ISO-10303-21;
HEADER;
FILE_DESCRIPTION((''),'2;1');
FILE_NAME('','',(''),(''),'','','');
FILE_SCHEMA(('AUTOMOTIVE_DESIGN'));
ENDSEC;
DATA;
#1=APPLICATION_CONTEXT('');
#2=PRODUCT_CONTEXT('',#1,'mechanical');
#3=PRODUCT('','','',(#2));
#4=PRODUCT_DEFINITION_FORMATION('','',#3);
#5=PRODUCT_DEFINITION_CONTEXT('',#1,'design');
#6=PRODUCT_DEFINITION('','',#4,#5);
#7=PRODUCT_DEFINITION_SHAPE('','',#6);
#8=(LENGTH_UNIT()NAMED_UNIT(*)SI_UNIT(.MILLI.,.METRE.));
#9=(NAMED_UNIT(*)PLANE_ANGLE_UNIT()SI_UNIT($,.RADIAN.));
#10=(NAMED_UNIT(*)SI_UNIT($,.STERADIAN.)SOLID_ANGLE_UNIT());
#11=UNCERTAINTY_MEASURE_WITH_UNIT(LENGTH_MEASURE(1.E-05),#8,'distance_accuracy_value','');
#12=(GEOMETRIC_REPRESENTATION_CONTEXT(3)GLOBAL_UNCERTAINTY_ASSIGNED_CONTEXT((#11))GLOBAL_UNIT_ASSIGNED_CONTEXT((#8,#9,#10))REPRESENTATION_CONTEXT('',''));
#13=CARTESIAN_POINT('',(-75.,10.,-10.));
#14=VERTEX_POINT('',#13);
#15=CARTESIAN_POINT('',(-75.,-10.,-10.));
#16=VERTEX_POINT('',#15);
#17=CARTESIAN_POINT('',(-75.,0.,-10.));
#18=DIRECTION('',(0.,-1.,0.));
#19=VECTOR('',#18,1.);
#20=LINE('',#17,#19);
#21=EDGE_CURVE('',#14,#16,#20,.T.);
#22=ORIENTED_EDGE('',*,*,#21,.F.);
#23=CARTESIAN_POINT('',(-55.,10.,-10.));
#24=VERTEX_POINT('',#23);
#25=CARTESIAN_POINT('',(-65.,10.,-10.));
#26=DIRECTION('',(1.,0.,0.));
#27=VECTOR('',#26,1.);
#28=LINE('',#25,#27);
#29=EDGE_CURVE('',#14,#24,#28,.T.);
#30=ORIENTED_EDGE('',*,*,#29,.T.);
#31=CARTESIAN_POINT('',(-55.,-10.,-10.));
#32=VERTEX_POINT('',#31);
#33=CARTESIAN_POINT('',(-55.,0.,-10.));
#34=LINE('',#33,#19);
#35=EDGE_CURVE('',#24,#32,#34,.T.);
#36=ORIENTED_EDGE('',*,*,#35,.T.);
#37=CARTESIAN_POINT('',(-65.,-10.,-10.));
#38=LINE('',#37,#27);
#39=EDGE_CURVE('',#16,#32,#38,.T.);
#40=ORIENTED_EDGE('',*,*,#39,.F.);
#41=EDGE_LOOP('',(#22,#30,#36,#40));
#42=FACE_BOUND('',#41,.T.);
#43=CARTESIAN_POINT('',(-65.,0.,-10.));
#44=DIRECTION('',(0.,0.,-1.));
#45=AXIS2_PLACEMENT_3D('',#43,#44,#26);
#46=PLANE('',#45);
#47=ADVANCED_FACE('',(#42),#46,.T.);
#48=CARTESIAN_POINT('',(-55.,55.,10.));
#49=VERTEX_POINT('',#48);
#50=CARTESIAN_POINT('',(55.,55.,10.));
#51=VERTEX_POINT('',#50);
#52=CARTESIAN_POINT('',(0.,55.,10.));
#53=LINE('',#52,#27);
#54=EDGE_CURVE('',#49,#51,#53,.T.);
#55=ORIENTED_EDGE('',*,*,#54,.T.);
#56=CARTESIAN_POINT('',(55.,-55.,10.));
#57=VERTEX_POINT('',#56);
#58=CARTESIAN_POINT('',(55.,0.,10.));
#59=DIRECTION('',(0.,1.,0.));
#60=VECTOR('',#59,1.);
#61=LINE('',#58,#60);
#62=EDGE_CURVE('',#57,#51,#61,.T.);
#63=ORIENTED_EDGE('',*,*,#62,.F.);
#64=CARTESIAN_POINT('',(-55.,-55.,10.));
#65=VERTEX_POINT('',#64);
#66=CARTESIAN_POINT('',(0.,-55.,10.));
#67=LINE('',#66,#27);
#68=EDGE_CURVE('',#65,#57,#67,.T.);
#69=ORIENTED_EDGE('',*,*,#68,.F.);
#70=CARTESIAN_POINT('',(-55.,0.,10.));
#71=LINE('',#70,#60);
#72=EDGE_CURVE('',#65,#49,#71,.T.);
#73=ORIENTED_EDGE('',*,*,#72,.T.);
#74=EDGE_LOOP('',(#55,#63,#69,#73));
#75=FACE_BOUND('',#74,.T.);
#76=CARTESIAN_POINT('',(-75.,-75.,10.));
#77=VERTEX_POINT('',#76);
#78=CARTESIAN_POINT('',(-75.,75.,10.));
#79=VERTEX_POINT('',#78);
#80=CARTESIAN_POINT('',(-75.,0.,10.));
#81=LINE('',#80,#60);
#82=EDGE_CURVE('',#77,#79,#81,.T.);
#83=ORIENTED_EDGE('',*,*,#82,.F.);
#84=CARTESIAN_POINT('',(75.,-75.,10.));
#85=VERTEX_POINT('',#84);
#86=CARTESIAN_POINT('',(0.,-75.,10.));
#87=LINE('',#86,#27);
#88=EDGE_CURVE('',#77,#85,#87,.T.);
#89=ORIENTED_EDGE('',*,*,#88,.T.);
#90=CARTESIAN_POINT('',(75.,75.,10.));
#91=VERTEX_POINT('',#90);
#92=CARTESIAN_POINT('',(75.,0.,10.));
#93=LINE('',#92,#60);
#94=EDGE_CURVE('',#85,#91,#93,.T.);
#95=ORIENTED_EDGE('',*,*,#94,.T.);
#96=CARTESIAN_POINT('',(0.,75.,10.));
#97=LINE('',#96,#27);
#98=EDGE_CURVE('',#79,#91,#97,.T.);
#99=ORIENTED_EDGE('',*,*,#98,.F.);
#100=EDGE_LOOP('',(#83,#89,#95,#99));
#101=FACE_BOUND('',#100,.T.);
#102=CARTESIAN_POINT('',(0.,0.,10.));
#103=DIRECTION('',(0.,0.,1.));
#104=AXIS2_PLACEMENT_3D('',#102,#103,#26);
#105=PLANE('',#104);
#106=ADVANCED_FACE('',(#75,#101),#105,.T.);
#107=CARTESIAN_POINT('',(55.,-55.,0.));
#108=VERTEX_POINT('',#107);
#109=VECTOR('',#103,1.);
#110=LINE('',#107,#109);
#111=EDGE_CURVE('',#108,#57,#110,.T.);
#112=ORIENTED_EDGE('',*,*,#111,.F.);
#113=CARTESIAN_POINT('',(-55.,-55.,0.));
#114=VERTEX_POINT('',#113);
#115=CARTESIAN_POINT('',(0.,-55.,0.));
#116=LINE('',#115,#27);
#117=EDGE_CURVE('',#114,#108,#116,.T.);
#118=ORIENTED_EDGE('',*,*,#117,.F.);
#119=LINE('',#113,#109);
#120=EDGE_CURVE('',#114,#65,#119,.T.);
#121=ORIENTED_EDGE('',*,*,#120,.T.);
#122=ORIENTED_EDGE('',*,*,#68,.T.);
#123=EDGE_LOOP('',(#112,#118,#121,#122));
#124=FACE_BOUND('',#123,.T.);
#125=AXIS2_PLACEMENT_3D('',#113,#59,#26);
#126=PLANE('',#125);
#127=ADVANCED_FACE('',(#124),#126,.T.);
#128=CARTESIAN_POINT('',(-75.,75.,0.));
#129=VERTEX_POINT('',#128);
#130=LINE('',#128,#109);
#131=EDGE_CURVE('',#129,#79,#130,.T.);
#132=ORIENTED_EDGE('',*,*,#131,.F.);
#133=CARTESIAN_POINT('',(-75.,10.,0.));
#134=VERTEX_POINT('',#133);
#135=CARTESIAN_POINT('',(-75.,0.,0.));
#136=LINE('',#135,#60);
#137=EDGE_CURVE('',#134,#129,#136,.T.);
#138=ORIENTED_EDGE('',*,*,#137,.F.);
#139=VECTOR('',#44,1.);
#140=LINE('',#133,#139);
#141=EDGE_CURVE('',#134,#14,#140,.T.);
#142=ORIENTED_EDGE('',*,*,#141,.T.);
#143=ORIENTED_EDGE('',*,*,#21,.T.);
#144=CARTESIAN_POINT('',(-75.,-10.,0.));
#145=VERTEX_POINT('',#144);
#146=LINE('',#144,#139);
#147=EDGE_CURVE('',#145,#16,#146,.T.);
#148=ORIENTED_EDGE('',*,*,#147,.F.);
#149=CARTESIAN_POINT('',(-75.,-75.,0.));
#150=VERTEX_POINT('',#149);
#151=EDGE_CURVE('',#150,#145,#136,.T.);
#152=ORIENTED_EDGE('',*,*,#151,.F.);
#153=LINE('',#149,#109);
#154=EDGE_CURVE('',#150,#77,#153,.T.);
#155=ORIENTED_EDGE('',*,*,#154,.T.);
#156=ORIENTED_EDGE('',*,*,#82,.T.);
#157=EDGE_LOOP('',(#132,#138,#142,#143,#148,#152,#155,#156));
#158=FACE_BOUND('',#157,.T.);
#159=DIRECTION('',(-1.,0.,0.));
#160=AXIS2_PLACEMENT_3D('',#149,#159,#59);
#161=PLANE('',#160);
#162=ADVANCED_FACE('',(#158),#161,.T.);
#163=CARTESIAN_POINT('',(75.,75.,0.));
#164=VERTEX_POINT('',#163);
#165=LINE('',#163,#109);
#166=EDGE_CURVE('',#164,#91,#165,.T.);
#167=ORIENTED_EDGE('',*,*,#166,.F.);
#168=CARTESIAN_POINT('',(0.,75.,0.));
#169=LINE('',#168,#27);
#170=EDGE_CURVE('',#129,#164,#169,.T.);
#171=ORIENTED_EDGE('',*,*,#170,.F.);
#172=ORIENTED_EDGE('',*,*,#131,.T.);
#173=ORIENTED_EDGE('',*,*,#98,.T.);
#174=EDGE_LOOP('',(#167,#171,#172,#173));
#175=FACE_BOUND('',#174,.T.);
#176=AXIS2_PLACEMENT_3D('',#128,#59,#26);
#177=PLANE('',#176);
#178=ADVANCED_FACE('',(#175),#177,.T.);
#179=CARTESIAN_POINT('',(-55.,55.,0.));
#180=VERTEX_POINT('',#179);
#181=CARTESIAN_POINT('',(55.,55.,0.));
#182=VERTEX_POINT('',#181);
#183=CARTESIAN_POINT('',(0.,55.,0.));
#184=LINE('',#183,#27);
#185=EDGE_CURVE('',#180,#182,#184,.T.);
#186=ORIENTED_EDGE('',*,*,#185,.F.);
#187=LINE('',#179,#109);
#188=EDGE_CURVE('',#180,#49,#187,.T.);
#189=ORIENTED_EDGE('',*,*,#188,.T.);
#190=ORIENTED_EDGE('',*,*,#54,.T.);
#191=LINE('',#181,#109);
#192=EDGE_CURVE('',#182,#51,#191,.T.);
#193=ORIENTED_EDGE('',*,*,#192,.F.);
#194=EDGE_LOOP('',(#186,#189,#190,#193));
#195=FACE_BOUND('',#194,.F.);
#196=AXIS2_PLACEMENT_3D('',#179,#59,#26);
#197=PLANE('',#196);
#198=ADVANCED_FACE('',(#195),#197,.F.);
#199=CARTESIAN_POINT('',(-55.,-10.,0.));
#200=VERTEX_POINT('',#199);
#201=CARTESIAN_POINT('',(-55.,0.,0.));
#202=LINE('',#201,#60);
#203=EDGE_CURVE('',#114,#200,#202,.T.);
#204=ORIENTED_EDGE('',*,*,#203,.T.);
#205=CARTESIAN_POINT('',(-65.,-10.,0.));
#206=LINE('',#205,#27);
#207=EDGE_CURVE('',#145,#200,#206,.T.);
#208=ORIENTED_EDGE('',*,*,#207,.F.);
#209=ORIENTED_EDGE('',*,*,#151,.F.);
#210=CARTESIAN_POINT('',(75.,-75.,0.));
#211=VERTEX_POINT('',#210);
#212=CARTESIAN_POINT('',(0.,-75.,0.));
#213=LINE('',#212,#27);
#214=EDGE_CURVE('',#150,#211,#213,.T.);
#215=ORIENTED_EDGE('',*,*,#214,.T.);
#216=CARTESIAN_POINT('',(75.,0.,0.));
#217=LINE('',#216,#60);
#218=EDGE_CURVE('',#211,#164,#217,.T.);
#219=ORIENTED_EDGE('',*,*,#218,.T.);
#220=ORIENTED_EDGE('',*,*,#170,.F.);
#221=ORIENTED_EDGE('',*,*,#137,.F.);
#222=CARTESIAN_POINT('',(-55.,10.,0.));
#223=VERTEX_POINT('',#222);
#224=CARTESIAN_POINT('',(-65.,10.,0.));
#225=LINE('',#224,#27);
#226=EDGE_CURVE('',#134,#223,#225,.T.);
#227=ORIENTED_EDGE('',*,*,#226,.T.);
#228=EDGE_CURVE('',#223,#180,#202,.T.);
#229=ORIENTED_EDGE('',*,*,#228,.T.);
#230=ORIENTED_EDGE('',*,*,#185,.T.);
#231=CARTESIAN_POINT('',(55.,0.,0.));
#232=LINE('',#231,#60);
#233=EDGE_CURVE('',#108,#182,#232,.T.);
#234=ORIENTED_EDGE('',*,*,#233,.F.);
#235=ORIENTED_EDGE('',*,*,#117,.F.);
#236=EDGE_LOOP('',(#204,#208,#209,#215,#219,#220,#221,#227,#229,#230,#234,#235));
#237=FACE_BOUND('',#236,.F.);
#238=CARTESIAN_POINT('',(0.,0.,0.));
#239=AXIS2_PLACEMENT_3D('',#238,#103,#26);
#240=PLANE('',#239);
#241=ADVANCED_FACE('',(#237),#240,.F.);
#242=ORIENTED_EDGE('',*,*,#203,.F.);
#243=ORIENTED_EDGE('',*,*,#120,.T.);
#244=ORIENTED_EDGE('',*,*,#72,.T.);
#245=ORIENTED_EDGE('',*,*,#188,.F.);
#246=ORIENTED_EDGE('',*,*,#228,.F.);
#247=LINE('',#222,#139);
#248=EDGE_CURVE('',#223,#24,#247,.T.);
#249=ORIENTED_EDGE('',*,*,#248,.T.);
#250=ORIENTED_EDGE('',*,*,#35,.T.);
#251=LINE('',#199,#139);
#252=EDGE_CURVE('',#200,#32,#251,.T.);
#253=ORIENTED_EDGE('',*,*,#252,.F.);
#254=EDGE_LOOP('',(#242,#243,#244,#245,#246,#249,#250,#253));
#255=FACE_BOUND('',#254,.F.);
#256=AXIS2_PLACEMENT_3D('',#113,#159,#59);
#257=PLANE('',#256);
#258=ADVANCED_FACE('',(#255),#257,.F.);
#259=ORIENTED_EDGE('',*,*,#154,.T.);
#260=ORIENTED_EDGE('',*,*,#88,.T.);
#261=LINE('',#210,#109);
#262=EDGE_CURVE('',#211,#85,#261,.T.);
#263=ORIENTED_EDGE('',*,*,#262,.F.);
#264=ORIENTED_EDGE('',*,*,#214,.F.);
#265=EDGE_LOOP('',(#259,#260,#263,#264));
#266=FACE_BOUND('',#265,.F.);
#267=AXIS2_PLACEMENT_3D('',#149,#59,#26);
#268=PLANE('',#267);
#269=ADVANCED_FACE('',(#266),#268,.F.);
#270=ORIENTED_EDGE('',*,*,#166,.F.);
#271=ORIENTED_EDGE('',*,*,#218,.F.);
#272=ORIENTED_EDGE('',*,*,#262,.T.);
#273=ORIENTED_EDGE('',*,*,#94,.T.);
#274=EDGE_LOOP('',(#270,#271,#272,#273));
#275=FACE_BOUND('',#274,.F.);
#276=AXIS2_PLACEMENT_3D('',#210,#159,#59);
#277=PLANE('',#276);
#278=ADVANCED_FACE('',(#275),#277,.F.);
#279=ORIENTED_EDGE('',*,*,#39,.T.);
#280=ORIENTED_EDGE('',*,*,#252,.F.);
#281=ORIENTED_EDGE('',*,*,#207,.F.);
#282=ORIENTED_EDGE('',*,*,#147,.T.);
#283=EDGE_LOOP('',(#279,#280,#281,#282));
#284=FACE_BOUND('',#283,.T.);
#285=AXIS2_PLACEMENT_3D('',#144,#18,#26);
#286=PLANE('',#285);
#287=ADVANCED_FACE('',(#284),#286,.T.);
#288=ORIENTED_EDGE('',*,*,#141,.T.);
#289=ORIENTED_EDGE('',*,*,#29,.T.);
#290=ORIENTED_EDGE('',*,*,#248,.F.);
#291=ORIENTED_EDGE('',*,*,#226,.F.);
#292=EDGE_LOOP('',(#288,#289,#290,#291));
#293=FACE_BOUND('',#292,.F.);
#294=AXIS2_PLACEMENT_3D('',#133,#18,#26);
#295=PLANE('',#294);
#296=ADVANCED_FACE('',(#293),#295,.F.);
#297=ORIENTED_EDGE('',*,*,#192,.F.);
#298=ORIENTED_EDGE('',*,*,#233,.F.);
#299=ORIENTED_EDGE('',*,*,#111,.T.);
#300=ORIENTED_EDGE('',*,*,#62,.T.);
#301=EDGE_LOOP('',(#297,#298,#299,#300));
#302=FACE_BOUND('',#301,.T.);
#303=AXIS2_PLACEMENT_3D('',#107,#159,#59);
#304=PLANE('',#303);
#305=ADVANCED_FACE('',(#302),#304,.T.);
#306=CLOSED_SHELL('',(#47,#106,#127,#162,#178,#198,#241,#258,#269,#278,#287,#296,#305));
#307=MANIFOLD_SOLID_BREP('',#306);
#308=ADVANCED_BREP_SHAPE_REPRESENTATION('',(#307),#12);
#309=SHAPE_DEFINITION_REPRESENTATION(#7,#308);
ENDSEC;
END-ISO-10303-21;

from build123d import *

# Parameters (mm, degrees)
SKETCH_W     = 150
SKETCH_H     = 150
SKETCH_W_2   = 110
SKETCH_H_2   = 110
PAD_DEPTH    = 10
SKETCH003_W  = 20
SKETCH003_H  = 20
PAD001_DEPTH = 10


with BuildPart() as part:
    # Sketch → Pad (new body)
    with BuildSketch(Plane.XY):
        Rectangle(SKETCH_W, SKETCH_H)
        Rectangle(SKETCH_W_2, SKETCH_H_2, mode=Mode.SUBTRACT)
    extrude(amount=PAD_DEPTH)

    # Sketch003 → Pad001 (new body)
    with BuildSketch(Plane(origin=(0, 0, 0), x_dir=(1, 0, 0), z_dir=(0, 0, -1))):
        with Locations((-65, 0)):
            Rectangle(SKETCH003_W, SKETCH003_H)
    extrude(amount=PAD001_DEPTH)


solid = part.part
